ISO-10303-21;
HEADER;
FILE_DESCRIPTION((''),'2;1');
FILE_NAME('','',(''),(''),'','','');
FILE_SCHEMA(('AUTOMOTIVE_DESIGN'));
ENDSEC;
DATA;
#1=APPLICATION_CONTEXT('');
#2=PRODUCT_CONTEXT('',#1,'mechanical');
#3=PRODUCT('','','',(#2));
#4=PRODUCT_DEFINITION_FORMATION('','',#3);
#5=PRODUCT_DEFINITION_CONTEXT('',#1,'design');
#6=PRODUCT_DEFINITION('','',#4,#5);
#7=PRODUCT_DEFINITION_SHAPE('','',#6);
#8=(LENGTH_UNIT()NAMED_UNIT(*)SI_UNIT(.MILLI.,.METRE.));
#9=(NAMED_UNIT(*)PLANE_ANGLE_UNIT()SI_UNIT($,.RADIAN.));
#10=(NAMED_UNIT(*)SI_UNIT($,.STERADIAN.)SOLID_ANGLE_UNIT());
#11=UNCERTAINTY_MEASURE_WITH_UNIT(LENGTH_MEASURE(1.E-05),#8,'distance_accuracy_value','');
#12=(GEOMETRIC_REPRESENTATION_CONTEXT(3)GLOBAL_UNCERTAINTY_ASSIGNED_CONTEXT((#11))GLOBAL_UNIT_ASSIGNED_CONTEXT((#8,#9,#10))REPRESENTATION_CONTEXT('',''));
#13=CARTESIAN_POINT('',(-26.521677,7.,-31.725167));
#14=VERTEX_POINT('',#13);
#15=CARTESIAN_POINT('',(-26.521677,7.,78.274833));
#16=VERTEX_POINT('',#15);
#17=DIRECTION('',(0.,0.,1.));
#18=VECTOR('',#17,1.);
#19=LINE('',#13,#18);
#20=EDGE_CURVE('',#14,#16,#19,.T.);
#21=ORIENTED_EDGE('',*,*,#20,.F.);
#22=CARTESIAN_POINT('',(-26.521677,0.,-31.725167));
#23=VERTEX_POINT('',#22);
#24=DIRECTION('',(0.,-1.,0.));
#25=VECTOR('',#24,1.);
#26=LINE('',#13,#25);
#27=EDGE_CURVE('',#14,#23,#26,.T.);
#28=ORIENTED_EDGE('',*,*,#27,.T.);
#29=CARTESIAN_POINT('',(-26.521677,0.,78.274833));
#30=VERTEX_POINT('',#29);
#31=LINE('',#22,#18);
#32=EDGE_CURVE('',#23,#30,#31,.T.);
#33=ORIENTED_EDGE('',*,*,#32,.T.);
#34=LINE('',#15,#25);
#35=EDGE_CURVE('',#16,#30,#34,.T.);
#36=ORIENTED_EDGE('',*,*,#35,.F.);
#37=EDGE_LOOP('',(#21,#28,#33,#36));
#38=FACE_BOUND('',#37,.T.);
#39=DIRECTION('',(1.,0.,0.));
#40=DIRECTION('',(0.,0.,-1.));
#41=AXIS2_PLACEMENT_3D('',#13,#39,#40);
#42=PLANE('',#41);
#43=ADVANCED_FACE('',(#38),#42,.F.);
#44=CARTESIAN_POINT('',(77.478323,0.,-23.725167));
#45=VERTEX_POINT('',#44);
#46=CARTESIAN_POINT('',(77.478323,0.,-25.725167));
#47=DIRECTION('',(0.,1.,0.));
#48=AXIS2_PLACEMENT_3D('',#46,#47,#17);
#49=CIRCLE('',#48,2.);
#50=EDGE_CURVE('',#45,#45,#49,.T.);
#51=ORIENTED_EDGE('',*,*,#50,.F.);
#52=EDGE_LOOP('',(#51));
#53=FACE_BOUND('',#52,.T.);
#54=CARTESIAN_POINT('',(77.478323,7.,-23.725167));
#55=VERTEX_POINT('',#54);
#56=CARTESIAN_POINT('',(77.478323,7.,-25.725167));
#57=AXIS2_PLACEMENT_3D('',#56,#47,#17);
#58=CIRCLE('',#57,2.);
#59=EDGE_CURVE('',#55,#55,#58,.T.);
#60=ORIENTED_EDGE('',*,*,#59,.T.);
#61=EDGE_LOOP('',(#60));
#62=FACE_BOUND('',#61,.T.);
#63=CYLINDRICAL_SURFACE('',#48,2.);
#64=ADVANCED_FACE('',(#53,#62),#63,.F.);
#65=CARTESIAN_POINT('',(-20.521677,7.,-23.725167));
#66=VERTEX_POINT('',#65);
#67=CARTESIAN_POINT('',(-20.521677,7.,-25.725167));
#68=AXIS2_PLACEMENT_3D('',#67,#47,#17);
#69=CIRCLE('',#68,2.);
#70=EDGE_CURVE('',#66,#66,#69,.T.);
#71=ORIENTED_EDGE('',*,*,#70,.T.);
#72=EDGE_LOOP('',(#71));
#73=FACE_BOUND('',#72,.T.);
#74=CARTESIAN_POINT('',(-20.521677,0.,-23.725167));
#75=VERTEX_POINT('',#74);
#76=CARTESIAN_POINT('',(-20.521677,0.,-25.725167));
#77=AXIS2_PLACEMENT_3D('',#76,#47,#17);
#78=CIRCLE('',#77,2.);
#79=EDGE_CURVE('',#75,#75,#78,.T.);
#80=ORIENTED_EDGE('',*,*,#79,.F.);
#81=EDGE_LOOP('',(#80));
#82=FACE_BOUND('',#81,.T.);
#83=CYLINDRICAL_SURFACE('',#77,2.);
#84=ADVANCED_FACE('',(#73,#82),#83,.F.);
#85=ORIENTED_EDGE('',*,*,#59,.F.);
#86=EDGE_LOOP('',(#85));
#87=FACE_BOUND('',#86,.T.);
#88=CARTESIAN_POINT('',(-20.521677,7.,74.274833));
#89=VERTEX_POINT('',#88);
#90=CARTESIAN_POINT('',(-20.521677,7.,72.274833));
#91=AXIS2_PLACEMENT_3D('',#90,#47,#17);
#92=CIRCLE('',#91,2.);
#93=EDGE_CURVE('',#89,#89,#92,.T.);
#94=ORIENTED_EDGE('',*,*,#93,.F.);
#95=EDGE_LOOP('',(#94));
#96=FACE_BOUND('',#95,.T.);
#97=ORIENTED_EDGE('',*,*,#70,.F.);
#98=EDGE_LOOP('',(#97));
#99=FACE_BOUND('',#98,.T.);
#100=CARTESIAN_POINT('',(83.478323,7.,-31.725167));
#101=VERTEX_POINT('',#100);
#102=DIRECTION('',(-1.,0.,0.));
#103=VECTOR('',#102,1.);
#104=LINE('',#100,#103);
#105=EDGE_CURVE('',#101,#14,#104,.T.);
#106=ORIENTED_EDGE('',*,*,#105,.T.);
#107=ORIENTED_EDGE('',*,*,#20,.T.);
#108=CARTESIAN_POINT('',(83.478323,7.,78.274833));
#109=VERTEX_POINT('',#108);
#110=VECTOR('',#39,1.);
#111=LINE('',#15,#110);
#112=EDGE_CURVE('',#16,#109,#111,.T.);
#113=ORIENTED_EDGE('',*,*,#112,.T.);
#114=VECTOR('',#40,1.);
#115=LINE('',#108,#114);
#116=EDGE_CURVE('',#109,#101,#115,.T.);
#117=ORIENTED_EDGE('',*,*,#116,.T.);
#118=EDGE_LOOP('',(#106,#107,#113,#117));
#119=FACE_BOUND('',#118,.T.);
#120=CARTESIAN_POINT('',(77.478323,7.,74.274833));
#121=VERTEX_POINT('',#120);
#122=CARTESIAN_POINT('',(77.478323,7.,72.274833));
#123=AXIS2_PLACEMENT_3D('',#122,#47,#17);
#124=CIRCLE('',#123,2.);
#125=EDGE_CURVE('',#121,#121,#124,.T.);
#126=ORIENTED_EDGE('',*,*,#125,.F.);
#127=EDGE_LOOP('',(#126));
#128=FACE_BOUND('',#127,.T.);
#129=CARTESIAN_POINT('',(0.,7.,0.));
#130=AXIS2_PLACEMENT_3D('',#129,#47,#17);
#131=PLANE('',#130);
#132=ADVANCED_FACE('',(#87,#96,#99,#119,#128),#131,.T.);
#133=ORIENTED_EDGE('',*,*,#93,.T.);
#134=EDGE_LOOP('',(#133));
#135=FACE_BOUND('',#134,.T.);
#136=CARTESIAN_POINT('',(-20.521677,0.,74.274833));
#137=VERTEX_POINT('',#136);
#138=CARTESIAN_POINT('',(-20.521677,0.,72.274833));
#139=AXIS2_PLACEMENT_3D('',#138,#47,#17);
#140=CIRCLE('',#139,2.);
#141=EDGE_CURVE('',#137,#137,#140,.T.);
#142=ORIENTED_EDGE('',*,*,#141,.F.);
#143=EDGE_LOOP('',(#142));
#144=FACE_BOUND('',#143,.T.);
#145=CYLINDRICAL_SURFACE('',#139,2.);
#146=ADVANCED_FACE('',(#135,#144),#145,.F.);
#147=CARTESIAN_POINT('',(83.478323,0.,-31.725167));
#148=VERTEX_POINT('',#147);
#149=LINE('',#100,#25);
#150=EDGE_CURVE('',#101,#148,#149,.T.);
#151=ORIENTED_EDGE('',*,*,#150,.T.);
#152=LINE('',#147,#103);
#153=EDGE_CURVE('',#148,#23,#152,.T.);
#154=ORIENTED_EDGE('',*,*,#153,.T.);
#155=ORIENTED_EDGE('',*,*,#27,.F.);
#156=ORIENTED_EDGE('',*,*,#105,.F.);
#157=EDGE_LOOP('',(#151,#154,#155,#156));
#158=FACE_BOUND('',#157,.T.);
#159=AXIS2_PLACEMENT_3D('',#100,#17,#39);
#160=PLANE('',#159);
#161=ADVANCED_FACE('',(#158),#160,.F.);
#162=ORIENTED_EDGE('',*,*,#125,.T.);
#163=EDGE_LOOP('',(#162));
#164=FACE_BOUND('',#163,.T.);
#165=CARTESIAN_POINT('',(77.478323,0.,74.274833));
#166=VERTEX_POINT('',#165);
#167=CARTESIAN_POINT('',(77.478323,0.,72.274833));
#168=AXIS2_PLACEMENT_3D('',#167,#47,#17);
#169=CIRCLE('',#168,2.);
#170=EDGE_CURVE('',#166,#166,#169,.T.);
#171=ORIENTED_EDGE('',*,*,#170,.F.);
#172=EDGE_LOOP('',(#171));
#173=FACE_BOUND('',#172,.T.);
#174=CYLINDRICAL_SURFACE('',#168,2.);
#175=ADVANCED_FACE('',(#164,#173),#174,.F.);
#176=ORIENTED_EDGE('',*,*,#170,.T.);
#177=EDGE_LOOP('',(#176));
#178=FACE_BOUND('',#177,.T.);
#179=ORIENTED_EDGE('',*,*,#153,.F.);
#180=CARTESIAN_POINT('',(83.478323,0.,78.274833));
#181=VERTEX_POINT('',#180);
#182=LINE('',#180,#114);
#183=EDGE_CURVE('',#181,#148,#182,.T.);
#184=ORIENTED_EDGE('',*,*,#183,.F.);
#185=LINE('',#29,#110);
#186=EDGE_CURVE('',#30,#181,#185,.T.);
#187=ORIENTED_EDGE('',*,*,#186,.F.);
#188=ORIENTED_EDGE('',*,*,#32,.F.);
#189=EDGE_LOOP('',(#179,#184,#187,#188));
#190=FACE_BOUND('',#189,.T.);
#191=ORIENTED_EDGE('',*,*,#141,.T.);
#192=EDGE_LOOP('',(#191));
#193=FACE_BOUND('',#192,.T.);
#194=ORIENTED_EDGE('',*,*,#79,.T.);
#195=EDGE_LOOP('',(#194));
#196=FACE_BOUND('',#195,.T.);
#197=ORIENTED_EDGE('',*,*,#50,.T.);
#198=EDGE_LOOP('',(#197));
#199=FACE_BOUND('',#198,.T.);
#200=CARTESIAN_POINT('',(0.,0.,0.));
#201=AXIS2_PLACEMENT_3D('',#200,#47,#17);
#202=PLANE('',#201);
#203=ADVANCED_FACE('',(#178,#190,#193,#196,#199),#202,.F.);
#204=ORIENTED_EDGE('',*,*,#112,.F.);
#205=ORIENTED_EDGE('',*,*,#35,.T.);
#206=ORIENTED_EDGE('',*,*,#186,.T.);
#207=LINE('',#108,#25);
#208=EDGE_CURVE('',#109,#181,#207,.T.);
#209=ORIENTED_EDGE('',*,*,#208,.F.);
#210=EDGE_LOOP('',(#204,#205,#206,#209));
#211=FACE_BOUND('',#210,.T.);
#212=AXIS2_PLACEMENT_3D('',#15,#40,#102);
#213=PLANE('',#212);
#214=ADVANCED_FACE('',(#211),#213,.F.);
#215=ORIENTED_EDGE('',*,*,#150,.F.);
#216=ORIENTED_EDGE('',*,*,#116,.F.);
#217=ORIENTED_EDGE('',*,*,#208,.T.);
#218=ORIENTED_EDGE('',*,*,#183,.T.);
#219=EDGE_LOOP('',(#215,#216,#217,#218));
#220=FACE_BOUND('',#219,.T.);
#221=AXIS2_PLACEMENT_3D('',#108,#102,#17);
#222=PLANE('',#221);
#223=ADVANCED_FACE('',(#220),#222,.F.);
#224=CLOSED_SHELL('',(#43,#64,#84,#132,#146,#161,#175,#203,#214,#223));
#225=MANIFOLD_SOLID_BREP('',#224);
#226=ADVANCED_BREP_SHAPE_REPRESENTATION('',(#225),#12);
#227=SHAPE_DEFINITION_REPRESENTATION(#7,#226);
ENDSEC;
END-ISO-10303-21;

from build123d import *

# Parameters (mm, degrees)
ESQUISSE1_W             = 110
ESQUISSE1_H             = 110
BOSS_EXTRU_1_DEPTH      = 7
ESQUISSE4_R             = 2
ENL_V_MAT_EXTRU_2_DEPTH = 115.64981483


with BuildPart() as part:
    # Esquisse1 → Boss.-Extru.1 (new body)
    with BuildSketch(Plane(origin=(0, 0, 0), x_dir=(1, 0, 0), z_dir=(0, 1, 0))):
        with Locations((28.47832347, -23.274833448)):
            Rectangle(ESQUISSE1_W, ESQUISSE1_H)
    extrude(amount=BOSS_EXTRU_1_DEPTH)

    # Esquisse4 → Enlèv. mat.-Extru.2 (cut, through all)
    with BuildSketch(Plane(origin=(0, 7, 0), x_dir=(1, 0, 0), z_dir=(0, 1, 0))):
        with Locations(Location((-20.52167653, -72.274833448, 0), (0, 0, 270))):
            Circle(ESQUISSE4_R)
        with Locations(Location((-20.52167653, 25.725166552, 0), (0, 0, 270))):
            Circle(ESQUISSE4_R)
        with Locations(Location((77.47832347, 25.725166552, 0), (0, 0, 270))):
            Circle(ESQUISSE4_R)
        with Locations(Location((77.47832347, -72.274833448, 0), (0, 0, 270))):
            Circle(ESQUISSE4_R)
    extrude(amount=-ENL_V_MAT_EXTRU_2_DEPTH, mode=Mode.SUBTRACT)


solid = part.part
